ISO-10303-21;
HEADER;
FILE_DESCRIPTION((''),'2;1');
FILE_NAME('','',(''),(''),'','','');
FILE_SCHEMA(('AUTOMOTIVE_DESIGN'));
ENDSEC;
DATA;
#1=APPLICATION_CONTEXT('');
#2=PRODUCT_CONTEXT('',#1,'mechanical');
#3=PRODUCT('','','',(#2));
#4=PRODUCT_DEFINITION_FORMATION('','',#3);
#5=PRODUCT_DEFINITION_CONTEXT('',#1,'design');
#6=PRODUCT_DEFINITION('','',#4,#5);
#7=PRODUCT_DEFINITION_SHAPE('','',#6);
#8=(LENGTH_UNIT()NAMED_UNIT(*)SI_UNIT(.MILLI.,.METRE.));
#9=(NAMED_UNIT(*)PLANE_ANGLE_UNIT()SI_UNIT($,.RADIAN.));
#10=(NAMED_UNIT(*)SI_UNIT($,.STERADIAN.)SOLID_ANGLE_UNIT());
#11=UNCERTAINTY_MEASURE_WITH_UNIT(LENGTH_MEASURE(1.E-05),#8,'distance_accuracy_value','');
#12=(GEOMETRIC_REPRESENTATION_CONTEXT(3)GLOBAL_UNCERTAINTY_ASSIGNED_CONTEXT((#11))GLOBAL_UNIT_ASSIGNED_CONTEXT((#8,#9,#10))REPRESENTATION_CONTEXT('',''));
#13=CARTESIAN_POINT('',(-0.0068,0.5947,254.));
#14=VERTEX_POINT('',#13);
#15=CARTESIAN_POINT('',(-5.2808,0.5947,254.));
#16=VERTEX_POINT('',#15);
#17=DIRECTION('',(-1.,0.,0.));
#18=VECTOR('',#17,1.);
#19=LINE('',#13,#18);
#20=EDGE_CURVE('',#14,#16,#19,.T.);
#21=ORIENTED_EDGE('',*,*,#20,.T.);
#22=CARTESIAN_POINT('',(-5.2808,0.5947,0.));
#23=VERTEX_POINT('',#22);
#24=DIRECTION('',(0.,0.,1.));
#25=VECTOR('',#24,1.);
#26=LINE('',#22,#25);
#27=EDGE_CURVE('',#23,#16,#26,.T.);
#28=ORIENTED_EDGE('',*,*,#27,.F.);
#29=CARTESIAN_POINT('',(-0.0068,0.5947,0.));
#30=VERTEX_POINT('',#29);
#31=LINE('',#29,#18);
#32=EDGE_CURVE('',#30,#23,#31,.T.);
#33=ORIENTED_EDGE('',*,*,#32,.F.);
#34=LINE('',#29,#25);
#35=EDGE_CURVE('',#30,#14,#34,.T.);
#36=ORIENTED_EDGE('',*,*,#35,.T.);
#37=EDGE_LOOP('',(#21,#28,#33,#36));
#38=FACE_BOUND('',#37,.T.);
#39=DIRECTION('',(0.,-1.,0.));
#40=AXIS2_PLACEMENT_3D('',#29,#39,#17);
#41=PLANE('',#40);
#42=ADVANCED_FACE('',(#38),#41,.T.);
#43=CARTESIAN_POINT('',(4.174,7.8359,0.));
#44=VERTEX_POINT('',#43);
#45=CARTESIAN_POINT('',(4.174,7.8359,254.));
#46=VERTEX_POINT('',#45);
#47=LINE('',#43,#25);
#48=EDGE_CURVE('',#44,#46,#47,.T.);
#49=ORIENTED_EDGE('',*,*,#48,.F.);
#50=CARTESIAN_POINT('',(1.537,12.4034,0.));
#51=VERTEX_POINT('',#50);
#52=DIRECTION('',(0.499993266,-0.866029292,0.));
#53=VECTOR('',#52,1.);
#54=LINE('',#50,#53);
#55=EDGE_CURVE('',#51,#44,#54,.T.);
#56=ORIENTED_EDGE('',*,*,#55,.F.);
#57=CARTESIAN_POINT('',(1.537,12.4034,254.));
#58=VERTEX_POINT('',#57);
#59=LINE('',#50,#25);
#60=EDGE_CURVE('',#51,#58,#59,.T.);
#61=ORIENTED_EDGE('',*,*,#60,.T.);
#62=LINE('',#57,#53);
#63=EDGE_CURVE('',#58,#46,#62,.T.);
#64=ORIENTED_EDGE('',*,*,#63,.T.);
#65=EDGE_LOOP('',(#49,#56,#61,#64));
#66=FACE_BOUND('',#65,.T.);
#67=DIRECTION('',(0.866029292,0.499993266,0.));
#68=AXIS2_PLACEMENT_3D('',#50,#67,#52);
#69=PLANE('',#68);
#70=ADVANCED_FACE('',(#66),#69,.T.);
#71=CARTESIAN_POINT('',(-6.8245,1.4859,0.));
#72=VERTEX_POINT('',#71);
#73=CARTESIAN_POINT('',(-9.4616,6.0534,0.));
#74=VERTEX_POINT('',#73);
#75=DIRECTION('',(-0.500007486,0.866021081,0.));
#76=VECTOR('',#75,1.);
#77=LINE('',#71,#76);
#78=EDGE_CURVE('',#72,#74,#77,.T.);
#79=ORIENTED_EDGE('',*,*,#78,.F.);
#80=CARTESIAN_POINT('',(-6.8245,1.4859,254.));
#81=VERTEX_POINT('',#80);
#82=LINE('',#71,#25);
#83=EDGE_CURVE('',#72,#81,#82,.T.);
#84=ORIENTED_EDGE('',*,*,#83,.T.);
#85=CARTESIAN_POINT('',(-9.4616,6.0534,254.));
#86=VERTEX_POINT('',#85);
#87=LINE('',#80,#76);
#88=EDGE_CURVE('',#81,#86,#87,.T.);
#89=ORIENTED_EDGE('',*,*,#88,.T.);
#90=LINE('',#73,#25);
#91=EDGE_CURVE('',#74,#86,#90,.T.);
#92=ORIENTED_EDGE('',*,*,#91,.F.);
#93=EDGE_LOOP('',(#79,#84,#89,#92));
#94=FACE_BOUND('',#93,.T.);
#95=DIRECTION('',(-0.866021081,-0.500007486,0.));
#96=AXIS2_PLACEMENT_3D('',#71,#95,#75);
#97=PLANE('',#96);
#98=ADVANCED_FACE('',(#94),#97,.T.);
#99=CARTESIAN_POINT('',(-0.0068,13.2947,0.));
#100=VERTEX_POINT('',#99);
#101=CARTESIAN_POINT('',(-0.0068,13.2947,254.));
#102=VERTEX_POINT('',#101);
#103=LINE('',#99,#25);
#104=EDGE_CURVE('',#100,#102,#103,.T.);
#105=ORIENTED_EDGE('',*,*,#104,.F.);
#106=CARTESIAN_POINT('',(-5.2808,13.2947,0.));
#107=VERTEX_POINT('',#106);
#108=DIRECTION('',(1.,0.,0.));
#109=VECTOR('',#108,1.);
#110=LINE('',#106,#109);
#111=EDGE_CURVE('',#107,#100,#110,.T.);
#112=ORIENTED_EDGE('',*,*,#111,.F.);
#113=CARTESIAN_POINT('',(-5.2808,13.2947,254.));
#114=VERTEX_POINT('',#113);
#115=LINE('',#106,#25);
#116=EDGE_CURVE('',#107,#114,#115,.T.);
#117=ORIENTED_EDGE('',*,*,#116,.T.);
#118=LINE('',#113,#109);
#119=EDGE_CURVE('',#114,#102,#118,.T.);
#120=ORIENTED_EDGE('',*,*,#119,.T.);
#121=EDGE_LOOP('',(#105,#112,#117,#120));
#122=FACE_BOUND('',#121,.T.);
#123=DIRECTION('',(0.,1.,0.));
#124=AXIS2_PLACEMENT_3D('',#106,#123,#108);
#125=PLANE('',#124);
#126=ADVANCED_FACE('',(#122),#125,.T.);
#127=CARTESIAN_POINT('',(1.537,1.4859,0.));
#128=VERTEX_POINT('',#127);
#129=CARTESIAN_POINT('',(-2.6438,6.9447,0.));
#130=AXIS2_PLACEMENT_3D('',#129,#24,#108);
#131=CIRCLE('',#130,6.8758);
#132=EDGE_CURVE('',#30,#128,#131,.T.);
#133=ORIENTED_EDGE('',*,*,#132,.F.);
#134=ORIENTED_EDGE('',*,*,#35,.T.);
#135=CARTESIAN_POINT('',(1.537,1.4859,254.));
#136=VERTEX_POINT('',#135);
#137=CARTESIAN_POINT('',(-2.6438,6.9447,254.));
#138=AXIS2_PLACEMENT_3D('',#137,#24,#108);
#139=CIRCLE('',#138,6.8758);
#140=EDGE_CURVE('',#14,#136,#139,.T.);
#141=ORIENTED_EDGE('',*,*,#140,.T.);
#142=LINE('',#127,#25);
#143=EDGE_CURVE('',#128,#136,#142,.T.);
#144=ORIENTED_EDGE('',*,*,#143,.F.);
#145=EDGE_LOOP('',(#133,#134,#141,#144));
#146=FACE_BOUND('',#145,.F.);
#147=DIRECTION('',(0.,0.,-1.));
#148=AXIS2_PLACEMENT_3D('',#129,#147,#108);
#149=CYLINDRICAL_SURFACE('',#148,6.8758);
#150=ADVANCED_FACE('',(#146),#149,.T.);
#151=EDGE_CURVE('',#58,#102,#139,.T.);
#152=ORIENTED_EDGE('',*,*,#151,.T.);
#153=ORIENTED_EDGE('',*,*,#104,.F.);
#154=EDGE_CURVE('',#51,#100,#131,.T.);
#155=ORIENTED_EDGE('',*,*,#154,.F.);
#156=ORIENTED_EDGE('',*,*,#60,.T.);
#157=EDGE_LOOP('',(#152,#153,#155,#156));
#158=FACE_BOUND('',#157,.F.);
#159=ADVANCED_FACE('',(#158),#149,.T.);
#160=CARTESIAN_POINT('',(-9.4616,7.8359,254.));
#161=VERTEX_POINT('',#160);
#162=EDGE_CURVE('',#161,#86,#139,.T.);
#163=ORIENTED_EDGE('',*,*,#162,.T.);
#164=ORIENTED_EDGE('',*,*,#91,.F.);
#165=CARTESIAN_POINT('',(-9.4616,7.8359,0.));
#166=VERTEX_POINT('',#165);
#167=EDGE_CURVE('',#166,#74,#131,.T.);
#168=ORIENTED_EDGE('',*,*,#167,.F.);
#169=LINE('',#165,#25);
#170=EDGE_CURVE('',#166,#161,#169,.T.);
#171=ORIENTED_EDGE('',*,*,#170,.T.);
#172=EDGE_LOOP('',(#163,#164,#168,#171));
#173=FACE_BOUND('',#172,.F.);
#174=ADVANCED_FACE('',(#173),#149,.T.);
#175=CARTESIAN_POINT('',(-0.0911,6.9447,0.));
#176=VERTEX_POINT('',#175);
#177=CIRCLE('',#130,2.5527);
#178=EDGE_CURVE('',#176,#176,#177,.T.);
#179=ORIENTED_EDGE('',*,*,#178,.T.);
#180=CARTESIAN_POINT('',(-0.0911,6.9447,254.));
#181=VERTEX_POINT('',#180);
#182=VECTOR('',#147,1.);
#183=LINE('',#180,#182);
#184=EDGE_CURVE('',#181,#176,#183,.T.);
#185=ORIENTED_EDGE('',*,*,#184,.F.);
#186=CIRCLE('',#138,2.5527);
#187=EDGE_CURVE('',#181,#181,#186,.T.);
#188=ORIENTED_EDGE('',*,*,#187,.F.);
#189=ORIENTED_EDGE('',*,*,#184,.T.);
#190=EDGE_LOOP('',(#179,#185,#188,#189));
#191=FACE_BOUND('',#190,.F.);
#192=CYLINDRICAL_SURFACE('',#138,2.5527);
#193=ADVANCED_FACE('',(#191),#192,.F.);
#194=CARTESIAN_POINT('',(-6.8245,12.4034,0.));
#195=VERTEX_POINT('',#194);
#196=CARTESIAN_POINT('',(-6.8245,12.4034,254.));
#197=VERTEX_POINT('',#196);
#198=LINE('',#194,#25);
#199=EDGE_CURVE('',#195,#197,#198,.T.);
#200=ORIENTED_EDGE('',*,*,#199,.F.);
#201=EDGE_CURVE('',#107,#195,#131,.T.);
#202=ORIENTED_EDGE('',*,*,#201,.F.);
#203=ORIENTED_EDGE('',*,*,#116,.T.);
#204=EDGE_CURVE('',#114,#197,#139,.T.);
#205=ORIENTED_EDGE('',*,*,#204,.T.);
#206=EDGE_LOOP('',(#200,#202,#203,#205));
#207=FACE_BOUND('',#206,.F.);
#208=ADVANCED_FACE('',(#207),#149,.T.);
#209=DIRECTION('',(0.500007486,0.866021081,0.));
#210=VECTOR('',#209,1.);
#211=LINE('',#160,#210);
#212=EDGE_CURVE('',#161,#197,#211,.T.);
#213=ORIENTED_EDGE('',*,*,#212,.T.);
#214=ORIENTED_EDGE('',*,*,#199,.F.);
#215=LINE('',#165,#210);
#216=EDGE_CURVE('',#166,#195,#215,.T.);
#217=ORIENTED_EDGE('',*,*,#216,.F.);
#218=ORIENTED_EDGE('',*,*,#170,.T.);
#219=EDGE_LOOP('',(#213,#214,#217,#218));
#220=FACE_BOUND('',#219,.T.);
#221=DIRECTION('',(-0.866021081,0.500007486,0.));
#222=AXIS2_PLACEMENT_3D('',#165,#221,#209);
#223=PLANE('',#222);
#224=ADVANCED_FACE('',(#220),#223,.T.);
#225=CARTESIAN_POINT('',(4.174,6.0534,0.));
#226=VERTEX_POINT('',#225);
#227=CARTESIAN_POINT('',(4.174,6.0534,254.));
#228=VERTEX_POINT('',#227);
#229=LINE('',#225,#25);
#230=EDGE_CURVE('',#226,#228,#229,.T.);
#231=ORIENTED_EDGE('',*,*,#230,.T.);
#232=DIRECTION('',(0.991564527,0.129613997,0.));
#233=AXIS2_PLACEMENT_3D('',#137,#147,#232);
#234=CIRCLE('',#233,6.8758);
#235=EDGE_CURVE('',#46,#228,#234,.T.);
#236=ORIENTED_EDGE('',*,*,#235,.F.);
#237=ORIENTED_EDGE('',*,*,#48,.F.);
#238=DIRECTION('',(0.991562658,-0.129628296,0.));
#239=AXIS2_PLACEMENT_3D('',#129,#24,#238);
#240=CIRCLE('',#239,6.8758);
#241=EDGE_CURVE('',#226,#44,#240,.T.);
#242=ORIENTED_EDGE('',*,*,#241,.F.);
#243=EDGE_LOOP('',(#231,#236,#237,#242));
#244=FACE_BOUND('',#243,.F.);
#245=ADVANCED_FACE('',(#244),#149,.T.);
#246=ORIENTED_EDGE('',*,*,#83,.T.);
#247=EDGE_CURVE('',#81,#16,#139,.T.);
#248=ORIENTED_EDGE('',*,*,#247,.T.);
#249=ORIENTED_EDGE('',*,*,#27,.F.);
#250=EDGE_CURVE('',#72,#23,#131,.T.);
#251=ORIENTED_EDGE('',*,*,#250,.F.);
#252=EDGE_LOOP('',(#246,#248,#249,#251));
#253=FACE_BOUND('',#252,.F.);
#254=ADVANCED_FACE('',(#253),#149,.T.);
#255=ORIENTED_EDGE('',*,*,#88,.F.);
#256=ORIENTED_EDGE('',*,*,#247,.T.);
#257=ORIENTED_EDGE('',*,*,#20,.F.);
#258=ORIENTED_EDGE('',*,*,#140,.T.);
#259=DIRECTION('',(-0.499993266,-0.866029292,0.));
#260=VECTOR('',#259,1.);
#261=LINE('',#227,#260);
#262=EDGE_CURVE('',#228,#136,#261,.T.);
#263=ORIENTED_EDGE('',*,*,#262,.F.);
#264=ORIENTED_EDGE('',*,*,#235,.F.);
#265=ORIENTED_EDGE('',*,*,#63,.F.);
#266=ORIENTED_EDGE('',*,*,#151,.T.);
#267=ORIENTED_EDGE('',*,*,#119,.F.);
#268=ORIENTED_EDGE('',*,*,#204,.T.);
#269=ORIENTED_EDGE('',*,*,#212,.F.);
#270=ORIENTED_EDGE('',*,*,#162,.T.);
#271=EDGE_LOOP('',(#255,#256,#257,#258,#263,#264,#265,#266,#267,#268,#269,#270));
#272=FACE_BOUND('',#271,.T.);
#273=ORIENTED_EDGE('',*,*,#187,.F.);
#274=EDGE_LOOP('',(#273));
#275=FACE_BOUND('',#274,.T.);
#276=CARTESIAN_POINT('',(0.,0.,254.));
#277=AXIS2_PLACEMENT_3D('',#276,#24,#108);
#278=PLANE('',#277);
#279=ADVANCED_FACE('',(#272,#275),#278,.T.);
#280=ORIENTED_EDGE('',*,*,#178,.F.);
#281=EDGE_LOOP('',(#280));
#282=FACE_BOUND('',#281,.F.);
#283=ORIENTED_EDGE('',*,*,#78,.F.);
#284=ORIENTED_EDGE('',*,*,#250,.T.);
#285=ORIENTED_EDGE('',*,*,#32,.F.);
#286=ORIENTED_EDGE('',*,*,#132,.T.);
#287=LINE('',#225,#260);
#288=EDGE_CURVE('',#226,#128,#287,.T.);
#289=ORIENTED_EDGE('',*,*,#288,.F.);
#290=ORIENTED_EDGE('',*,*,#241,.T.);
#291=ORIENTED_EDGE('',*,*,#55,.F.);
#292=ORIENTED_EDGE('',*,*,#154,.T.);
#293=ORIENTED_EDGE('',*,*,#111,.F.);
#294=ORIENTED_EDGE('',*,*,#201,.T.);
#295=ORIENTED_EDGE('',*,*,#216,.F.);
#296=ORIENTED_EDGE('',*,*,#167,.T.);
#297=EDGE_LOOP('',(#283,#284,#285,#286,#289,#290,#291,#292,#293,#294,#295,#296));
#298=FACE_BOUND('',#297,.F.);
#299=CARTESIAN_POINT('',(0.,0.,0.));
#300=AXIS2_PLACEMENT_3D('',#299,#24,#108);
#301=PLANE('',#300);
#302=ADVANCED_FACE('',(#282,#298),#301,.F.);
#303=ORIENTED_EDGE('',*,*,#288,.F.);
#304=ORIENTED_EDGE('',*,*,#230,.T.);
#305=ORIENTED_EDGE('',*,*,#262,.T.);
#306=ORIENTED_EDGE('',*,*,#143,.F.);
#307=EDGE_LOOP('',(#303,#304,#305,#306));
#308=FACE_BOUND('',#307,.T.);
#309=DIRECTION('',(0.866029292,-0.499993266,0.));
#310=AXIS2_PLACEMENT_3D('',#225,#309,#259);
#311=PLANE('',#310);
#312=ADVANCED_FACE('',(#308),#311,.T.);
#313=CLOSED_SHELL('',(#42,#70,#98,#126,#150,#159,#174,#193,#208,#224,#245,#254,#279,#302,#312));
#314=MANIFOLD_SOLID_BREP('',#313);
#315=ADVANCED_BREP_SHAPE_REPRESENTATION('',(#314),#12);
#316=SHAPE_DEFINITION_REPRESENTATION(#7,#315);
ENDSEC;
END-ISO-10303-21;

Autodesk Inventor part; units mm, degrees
ref_plane "YZ Plane" through (0, 0, 0) normal (1, 0, 0) x (0, 1, 0)
ref_plane "XZ Plane" through (0, 0, 0) normal (0, 1, 0) x (-1, 0, 0)
ref_plane "XY Plane" through (0, 0, 0) normal (0, 0, 1) x (1, 0, 0)
sketch "Sketch1" plane through (0, 0, 0) normal (0, 0, 1) x (1, 0, 0)
  circle A0 centre (-2.6438, 6.9447) radius 6.8758
  line L0 (-9.4616, 7.8359) -> (-6.8245, 12.4034)
  line L1 (-6.8245, 1.4859) -> (-9.4616, 6.0534)
  line L2 (-0.0068, 0.5947) -> (-5.2808, 0.5947)
  line L3 (4.174, 6.0534) -> (1.537, 1.4859)
  line L4 (1.537, 12.4034) -> (4.174, 7.8359)
  line L5 (-5.2808, 13.2947) -> (-0.0068, 13.2947)
  point P0 (0, 0)
  point P1 (1.537, 1.4859)
  dimension "d0" = 13.7516
  dimension "d4" = 360
extrude "Extrusion1" add sketch "Sketch1" along normal blind 254 contours A0 L3 L2 L1 L0 L5 L4
sketch "Sketch2" plane through (0, 0, 254) normal (0, 0, 1) x (1, 0, 0)
  circle A0 centre (-2.6438, 6.9447) radius 2.5527
  line L0 (-5.2808, 0.5947) -> (-0.0068, 0.5947) projected
  line L1 (-2.6438, 6.9447) -> (-5.2808, 0.5947) construction
  line L2 (-2.6438, 6.9447) -> (-0.0068, 0.5947) construction
  point P0 (0, 0)
  dimension "d8" = 5.1054
  dimension "d9" = 6.35
extrude "Extrusion2" cut sketch "Sketch2" against normal blind 254
equation "\"d6\" = d5"
equation "\"d10\" = d5"
equation "\"d5\" = 254"
properties part number "8in THUNDERSHAFT"
